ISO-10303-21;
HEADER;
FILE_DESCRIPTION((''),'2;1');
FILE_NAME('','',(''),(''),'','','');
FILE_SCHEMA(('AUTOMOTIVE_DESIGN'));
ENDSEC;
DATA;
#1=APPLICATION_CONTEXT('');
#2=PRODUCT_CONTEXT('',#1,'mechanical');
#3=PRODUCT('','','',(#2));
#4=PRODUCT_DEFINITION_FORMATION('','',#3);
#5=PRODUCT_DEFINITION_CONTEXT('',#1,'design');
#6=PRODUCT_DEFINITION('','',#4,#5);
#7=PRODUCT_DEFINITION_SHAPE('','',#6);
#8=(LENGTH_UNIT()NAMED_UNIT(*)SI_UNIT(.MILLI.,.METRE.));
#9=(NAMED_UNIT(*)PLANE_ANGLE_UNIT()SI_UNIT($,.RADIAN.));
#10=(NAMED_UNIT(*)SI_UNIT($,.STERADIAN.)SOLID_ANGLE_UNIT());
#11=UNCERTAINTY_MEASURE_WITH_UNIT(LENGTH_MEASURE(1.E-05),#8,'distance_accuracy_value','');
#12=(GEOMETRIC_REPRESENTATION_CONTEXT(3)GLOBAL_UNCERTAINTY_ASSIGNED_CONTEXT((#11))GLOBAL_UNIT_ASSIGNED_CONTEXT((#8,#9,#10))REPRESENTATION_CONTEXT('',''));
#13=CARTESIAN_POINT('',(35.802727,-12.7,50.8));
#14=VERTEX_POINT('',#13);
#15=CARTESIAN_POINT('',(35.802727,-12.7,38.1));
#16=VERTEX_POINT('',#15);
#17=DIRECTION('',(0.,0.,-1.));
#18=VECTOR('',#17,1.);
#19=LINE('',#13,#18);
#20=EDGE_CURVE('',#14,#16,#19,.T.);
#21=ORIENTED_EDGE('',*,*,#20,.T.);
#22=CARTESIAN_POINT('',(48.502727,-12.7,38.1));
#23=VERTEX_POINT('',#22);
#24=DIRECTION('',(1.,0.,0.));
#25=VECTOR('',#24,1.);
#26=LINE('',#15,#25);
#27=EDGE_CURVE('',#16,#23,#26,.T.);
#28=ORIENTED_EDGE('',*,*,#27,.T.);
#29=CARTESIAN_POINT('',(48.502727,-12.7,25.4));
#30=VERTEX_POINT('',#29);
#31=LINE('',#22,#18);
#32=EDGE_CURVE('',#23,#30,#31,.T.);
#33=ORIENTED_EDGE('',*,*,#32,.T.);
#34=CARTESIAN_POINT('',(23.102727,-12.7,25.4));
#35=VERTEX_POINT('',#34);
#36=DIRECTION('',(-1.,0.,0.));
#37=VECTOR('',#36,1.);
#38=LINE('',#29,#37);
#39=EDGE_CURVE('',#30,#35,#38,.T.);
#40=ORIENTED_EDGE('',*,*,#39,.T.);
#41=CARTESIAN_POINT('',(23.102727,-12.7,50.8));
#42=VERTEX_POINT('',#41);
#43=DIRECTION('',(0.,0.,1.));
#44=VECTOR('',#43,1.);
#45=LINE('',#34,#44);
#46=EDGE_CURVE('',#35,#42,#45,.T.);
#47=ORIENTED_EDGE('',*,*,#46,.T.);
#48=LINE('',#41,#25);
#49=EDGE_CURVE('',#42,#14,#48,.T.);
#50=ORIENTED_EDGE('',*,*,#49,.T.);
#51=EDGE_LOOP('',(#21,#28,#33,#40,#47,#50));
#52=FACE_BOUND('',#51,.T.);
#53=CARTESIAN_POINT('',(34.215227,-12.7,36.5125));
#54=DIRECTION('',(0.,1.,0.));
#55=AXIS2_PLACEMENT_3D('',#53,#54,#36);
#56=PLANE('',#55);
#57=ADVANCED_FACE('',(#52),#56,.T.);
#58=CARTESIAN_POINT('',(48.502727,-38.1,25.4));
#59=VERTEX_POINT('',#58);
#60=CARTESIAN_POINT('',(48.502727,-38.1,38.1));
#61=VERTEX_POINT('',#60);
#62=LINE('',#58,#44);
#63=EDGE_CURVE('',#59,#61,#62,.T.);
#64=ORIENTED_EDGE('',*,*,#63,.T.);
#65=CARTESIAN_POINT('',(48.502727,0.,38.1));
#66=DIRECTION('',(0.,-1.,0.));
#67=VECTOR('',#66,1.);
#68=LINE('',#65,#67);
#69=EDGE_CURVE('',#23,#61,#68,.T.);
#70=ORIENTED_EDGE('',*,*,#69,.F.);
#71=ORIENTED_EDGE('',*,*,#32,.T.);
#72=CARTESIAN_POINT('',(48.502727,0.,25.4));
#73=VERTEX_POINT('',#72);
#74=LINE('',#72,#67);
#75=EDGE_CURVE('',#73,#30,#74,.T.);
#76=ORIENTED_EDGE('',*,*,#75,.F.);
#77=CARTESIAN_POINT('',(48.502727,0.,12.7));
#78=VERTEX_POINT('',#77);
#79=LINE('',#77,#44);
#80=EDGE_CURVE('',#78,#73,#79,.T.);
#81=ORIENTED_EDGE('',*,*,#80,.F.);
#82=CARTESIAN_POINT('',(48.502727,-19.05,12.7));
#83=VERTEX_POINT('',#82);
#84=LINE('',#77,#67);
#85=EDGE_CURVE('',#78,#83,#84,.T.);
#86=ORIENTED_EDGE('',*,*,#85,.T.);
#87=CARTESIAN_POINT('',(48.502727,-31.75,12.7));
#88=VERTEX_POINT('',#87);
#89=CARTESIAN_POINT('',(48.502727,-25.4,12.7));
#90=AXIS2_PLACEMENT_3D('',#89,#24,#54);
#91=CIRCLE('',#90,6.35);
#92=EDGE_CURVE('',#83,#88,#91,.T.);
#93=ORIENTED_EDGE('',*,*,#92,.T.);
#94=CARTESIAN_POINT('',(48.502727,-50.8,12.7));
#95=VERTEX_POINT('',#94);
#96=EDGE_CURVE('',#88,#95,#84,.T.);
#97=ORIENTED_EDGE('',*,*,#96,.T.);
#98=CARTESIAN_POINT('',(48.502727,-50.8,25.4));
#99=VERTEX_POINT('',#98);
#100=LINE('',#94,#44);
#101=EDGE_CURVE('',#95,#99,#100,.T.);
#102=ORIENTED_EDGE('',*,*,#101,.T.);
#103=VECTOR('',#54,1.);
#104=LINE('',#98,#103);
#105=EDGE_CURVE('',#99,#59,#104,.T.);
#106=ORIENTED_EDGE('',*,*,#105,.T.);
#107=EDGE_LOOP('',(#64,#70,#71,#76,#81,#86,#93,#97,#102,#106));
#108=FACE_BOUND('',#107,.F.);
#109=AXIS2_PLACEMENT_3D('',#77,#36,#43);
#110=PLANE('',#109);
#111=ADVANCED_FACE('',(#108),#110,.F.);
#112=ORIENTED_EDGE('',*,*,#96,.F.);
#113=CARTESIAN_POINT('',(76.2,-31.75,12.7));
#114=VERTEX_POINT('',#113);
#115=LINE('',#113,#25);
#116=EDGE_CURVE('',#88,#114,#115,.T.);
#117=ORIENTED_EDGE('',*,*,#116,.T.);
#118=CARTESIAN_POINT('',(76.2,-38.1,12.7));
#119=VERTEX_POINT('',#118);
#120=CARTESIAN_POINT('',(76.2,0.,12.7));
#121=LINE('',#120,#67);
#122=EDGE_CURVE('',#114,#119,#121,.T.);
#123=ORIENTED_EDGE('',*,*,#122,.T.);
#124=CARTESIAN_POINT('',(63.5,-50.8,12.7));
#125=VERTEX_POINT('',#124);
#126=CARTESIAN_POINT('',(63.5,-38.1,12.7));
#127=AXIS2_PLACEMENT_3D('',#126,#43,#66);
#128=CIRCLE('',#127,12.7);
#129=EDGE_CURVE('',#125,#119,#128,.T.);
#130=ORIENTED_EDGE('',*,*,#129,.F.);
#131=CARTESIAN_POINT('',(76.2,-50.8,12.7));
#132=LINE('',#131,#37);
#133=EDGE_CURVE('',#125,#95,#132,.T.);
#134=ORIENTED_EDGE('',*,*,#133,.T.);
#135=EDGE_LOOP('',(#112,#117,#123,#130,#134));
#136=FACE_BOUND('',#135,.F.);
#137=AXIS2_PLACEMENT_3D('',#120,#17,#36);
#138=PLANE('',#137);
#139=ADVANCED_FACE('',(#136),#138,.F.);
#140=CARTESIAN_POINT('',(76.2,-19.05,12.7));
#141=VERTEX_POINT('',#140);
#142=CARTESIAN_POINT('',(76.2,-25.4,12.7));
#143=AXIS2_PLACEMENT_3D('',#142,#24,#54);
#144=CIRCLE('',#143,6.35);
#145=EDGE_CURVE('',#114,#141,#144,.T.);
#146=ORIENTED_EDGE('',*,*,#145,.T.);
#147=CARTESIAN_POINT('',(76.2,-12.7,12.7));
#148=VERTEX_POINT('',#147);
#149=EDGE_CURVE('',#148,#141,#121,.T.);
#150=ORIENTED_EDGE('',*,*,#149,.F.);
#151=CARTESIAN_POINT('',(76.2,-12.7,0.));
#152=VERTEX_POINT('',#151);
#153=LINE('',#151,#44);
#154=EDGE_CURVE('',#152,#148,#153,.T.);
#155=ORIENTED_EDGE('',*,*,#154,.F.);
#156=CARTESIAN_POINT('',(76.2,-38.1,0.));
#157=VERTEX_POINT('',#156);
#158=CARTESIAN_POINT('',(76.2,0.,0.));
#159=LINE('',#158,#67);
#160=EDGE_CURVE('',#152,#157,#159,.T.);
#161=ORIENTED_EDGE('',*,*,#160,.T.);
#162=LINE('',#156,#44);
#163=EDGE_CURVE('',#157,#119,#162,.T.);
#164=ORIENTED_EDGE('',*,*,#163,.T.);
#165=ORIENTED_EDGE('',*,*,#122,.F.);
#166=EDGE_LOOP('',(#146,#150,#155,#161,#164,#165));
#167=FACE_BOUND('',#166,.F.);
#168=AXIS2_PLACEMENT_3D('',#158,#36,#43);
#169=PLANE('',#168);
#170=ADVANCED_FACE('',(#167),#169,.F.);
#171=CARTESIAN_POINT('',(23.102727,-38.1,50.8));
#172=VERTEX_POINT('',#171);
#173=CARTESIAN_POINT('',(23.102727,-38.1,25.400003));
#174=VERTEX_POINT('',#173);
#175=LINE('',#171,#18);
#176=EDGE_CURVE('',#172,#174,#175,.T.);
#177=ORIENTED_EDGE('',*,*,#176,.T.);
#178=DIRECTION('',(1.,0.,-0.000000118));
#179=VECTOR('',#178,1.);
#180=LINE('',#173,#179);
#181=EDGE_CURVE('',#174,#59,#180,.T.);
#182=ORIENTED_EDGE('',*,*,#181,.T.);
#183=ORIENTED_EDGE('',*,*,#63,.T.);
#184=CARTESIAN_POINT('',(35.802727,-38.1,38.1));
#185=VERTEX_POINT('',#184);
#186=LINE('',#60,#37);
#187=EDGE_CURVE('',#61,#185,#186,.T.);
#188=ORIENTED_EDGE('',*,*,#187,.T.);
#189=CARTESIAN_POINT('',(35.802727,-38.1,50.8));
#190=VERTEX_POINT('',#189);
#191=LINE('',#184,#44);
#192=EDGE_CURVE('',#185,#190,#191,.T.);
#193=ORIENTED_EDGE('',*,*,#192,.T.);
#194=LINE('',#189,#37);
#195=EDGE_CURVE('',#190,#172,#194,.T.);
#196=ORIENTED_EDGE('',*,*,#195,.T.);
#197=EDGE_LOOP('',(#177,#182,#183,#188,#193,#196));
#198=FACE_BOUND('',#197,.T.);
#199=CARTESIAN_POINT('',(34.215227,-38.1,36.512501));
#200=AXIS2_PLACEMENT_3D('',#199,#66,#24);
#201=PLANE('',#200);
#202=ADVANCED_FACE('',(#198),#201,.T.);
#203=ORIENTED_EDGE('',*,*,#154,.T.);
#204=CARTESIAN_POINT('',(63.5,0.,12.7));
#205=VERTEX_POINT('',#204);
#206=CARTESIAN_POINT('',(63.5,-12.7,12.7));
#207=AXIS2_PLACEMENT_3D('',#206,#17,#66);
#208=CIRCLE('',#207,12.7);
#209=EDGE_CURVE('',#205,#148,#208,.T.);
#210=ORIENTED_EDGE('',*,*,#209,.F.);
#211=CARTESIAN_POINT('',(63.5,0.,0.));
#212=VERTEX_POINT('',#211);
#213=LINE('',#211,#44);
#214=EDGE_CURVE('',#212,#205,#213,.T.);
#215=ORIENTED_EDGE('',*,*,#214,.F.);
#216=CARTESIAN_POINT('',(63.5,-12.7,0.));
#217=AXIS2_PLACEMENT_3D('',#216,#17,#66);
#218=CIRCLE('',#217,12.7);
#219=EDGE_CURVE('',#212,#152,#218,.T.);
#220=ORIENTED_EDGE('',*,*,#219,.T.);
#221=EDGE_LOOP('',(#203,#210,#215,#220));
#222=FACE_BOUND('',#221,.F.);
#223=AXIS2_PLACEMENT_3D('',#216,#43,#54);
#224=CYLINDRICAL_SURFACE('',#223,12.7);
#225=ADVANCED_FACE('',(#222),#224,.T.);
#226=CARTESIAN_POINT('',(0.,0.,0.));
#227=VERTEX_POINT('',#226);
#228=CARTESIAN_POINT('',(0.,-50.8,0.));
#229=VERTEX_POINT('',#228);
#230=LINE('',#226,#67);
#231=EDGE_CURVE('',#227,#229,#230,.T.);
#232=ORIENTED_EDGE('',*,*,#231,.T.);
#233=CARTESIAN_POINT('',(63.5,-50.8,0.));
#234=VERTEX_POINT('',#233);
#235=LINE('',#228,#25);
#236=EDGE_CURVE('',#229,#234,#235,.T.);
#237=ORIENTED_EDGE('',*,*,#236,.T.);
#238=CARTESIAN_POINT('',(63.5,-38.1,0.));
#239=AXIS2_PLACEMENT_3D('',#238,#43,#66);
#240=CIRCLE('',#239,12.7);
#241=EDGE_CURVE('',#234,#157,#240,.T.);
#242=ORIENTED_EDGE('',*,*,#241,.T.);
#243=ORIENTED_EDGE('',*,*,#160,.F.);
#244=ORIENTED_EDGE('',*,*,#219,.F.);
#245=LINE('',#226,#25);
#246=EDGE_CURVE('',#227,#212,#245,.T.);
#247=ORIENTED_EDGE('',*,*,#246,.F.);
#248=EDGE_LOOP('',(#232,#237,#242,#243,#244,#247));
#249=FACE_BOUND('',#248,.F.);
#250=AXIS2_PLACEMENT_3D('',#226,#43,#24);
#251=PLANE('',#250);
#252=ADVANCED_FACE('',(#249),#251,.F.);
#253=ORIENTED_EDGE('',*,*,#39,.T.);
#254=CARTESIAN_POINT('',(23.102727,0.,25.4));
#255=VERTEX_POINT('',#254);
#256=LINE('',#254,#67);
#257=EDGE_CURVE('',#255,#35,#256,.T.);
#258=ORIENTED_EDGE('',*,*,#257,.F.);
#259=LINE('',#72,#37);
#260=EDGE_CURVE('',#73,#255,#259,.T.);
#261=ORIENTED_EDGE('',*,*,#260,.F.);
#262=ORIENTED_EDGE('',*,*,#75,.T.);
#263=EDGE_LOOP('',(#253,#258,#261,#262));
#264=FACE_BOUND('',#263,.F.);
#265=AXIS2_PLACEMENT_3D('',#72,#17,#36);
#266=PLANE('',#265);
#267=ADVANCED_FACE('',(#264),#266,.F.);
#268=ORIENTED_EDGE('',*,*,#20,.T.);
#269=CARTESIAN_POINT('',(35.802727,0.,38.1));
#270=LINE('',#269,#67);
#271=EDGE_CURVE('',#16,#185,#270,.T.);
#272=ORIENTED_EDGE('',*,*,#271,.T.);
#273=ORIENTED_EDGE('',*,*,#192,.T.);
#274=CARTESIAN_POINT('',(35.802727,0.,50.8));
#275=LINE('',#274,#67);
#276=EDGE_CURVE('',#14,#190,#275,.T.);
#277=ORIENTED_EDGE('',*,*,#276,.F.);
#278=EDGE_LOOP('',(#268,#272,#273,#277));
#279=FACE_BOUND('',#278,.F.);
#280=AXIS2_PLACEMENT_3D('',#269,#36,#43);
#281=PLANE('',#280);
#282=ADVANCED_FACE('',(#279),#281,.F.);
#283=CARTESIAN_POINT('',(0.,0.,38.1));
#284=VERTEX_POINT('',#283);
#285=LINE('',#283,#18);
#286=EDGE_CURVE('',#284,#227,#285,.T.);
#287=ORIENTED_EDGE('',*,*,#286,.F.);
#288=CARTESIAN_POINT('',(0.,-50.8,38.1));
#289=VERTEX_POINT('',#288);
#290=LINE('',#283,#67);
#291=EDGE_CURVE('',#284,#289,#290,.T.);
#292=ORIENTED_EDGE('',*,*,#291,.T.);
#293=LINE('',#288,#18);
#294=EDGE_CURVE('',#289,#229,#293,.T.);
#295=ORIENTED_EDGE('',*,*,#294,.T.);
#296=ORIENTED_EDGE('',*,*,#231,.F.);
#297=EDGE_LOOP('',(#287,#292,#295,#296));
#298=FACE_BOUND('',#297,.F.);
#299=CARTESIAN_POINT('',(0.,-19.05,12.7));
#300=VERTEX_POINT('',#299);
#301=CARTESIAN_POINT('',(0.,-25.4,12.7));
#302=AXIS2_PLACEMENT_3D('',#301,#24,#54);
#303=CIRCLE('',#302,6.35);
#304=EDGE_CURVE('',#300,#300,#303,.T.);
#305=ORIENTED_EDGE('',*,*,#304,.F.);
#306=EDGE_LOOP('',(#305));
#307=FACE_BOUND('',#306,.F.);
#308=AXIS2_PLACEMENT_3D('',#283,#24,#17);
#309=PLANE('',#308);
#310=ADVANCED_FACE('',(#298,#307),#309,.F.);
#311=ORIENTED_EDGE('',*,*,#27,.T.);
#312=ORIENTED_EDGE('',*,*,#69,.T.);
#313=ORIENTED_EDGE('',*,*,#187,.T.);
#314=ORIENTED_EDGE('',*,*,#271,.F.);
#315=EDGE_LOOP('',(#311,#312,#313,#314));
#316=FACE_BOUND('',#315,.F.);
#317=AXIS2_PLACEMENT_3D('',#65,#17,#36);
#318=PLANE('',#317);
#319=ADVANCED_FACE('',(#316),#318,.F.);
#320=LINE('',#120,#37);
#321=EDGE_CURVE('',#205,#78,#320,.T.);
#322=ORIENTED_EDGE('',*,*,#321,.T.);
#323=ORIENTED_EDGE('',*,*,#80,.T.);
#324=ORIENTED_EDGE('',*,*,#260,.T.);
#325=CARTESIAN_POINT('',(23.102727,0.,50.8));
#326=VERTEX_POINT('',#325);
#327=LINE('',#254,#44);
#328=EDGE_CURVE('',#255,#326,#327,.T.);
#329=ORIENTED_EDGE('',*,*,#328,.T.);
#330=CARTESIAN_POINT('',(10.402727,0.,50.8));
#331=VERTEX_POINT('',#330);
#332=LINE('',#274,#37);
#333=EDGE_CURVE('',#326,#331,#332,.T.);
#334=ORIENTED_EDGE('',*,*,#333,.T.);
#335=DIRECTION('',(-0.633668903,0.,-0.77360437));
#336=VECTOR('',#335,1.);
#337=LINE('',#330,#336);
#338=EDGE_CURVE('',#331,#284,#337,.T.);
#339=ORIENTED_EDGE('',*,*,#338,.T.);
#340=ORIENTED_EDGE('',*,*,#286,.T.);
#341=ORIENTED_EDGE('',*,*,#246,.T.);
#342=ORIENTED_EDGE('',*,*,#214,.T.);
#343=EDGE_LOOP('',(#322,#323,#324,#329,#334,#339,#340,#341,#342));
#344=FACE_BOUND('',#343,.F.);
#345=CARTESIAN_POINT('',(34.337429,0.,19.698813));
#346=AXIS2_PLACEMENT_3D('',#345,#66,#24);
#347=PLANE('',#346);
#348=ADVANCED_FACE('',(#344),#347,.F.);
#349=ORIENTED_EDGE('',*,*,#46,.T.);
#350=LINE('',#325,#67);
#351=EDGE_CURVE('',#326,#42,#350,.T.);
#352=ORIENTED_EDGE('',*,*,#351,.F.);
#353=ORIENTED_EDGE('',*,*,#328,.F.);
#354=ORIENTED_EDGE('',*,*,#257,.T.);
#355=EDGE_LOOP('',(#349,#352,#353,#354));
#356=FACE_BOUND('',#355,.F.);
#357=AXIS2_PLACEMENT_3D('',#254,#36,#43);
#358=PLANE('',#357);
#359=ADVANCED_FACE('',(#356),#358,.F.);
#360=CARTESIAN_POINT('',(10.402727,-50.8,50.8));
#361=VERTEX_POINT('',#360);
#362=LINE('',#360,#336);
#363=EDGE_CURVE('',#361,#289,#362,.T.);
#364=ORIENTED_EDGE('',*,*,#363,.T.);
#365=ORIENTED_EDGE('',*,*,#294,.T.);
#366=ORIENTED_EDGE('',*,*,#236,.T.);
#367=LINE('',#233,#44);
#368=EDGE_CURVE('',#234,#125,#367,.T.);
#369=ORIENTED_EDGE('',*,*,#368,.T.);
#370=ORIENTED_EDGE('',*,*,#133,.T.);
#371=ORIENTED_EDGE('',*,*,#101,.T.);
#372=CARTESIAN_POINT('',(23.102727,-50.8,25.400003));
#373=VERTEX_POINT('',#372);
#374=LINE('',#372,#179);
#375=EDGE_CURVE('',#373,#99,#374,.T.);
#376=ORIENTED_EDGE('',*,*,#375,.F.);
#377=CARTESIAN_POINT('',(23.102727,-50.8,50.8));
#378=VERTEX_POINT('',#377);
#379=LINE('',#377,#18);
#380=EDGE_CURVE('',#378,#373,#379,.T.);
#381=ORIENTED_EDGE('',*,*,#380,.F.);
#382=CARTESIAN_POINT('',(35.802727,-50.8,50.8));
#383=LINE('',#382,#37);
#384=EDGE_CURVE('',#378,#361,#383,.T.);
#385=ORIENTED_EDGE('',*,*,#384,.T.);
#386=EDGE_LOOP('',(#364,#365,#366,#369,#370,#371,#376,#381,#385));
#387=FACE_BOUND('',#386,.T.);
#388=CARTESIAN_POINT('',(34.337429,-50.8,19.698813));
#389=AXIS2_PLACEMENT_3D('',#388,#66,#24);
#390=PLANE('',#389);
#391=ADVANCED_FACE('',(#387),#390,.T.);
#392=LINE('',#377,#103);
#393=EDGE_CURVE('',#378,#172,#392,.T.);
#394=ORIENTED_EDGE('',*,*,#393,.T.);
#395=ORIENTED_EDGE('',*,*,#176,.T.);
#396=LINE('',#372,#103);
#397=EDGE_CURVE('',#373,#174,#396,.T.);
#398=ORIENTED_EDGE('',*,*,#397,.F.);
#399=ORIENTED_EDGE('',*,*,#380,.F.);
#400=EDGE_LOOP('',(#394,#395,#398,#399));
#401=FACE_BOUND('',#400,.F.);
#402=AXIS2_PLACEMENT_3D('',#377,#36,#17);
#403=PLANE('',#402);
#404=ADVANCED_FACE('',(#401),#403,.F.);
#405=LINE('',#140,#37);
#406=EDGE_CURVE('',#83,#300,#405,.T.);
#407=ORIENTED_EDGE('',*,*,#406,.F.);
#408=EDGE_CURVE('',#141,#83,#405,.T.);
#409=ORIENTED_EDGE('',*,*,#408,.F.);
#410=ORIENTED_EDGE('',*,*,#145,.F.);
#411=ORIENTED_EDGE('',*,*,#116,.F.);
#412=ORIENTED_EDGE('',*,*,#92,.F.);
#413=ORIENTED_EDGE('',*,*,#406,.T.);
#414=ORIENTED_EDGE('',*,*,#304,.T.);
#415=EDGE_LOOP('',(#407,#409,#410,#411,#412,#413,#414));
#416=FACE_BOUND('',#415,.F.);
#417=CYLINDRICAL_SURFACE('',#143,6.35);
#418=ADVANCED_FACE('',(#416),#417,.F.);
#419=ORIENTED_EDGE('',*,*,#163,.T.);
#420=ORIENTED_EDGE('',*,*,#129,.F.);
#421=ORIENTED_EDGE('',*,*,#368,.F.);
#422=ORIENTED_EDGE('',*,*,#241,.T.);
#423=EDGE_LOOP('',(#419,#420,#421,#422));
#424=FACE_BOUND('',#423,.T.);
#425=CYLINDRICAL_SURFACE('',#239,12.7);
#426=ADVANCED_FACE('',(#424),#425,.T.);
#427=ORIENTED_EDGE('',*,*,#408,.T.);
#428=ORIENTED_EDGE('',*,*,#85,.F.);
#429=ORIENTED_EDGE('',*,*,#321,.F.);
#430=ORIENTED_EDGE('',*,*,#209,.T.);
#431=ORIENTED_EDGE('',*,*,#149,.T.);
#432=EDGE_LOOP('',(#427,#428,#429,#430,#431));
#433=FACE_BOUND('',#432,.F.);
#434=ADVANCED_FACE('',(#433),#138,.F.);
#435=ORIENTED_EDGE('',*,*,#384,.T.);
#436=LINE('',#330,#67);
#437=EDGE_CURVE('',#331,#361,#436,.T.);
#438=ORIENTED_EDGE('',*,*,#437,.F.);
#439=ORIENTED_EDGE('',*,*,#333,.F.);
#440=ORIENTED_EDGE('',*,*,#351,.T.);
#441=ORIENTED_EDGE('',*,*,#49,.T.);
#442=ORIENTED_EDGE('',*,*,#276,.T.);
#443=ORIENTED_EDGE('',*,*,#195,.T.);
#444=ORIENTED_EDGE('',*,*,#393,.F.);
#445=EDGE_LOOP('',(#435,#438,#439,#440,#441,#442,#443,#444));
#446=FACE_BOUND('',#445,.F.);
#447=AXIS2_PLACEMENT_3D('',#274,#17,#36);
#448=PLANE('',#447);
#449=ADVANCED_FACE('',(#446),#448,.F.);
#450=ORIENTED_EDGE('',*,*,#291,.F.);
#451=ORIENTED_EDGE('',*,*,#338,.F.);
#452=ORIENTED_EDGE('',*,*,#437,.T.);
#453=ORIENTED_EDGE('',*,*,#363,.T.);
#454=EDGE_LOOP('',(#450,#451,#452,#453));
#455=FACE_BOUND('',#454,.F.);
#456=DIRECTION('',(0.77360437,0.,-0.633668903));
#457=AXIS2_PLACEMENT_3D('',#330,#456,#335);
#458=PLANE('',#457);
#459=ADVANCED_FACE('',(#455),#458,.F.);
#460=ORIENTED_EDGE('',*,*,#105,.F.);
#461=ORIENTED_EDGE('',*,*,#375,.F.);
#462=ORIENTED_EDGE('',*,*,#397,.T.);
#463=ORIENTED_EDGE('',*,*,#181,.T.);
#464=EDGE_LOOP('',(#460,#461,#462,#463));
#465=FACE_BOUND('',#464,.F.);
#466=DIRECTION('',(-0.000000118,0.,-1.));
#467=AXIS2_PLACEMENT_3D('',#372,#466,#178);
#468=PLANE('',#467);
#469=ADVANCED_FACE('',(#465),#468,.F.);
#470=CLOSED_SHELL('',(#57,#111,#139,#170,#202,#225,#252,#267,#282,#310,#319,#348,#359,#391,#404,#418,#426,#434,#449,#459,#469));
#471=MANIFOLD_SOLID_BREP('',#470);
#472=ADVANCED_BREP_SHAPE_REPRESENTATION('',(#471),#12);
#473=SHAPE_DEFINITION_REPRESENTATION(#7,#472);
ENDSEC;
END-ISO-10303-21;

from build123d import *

# Parameters (mm, degrees)
F1_DEPTH = 50.8
F3_DEPTH = 12.7
F5_DEPTH = 12.7
F7_DEPTH = 76.201
F8_R     = 12.7


with BuildPart() as f1:
    # F0 (on Front) → F1 (new body)
    with BuildSketch(Plane.XZ):
        Polygon((0, 38.1), (0, 0), (76.2, 0), (76.2, 12.7), (48.502727, 12.7), (48.502727, 38.1), (35.802727, 38.1), (35.802727, 50.8), (10.402727, 50.8), align=None)
    extrude(amount=F1_DEPTH)

    # F2 (on face) → F3 (cut)
    with BuildSketch(Plane.XZ.offset(50.8)):
        Polygon((35.802727, 50.8), (23.102727, 50.8), (23.102727, 25.400003), (48.502727, 25.4), (48.502727, 38.1), (35.802727, 38.1), align=None)
    extrude(amount=-F3_DEPTH, mode=Mode.SUBTRACT)

    # F4 (on face) → F5 (cut)
    with BuildSketch(Plane(origin=(0, 0, 0), x_dir=(-1, 0, 0), z_dir=(0, 1, 0))):
        Polygon((-23.102727, 25.4), (-23.102727, 50.8), (-35.802727, 50.8), (-35.802727, 38.1), (-48.502727, 38.1), (-48.502727, 25.4), align=None)
    extrude(amount=-F5_DEPTH, mode=Mode.SUBTRACT)

    # F6 (on face) → F7 (cut, through all)
    with BuildSketch(Plane.YZ.offset(76.2)):
        with BuildLine():
            ThreePointArc((-31.75, 12.7), (-25.4, 6.35), (-19.05, 12.7))
            Line((-19.05, 12.7), (-31.75, 12.7))
        make_face()
        with BuildLine():
            Line((-31.75, 12.7), (-19.05, 12.7))
            ThreePointArc((-19.05, 12.7), (-25.4, 19.05), (-31.75, 12.7))
        make_face()
    extrude(amount=-F7_DEPTH, mode=Mode.SUBTRACT)

    # F8
    f8_edges = [f1.edges().sort_by_distance(p)[0] for p in [
        (76.2, -50.8, 6.35),
        (76.2, 0, 6.35),
    ]]
    fillet(f8_edges, radius=F8_R)


solid = f1.part
